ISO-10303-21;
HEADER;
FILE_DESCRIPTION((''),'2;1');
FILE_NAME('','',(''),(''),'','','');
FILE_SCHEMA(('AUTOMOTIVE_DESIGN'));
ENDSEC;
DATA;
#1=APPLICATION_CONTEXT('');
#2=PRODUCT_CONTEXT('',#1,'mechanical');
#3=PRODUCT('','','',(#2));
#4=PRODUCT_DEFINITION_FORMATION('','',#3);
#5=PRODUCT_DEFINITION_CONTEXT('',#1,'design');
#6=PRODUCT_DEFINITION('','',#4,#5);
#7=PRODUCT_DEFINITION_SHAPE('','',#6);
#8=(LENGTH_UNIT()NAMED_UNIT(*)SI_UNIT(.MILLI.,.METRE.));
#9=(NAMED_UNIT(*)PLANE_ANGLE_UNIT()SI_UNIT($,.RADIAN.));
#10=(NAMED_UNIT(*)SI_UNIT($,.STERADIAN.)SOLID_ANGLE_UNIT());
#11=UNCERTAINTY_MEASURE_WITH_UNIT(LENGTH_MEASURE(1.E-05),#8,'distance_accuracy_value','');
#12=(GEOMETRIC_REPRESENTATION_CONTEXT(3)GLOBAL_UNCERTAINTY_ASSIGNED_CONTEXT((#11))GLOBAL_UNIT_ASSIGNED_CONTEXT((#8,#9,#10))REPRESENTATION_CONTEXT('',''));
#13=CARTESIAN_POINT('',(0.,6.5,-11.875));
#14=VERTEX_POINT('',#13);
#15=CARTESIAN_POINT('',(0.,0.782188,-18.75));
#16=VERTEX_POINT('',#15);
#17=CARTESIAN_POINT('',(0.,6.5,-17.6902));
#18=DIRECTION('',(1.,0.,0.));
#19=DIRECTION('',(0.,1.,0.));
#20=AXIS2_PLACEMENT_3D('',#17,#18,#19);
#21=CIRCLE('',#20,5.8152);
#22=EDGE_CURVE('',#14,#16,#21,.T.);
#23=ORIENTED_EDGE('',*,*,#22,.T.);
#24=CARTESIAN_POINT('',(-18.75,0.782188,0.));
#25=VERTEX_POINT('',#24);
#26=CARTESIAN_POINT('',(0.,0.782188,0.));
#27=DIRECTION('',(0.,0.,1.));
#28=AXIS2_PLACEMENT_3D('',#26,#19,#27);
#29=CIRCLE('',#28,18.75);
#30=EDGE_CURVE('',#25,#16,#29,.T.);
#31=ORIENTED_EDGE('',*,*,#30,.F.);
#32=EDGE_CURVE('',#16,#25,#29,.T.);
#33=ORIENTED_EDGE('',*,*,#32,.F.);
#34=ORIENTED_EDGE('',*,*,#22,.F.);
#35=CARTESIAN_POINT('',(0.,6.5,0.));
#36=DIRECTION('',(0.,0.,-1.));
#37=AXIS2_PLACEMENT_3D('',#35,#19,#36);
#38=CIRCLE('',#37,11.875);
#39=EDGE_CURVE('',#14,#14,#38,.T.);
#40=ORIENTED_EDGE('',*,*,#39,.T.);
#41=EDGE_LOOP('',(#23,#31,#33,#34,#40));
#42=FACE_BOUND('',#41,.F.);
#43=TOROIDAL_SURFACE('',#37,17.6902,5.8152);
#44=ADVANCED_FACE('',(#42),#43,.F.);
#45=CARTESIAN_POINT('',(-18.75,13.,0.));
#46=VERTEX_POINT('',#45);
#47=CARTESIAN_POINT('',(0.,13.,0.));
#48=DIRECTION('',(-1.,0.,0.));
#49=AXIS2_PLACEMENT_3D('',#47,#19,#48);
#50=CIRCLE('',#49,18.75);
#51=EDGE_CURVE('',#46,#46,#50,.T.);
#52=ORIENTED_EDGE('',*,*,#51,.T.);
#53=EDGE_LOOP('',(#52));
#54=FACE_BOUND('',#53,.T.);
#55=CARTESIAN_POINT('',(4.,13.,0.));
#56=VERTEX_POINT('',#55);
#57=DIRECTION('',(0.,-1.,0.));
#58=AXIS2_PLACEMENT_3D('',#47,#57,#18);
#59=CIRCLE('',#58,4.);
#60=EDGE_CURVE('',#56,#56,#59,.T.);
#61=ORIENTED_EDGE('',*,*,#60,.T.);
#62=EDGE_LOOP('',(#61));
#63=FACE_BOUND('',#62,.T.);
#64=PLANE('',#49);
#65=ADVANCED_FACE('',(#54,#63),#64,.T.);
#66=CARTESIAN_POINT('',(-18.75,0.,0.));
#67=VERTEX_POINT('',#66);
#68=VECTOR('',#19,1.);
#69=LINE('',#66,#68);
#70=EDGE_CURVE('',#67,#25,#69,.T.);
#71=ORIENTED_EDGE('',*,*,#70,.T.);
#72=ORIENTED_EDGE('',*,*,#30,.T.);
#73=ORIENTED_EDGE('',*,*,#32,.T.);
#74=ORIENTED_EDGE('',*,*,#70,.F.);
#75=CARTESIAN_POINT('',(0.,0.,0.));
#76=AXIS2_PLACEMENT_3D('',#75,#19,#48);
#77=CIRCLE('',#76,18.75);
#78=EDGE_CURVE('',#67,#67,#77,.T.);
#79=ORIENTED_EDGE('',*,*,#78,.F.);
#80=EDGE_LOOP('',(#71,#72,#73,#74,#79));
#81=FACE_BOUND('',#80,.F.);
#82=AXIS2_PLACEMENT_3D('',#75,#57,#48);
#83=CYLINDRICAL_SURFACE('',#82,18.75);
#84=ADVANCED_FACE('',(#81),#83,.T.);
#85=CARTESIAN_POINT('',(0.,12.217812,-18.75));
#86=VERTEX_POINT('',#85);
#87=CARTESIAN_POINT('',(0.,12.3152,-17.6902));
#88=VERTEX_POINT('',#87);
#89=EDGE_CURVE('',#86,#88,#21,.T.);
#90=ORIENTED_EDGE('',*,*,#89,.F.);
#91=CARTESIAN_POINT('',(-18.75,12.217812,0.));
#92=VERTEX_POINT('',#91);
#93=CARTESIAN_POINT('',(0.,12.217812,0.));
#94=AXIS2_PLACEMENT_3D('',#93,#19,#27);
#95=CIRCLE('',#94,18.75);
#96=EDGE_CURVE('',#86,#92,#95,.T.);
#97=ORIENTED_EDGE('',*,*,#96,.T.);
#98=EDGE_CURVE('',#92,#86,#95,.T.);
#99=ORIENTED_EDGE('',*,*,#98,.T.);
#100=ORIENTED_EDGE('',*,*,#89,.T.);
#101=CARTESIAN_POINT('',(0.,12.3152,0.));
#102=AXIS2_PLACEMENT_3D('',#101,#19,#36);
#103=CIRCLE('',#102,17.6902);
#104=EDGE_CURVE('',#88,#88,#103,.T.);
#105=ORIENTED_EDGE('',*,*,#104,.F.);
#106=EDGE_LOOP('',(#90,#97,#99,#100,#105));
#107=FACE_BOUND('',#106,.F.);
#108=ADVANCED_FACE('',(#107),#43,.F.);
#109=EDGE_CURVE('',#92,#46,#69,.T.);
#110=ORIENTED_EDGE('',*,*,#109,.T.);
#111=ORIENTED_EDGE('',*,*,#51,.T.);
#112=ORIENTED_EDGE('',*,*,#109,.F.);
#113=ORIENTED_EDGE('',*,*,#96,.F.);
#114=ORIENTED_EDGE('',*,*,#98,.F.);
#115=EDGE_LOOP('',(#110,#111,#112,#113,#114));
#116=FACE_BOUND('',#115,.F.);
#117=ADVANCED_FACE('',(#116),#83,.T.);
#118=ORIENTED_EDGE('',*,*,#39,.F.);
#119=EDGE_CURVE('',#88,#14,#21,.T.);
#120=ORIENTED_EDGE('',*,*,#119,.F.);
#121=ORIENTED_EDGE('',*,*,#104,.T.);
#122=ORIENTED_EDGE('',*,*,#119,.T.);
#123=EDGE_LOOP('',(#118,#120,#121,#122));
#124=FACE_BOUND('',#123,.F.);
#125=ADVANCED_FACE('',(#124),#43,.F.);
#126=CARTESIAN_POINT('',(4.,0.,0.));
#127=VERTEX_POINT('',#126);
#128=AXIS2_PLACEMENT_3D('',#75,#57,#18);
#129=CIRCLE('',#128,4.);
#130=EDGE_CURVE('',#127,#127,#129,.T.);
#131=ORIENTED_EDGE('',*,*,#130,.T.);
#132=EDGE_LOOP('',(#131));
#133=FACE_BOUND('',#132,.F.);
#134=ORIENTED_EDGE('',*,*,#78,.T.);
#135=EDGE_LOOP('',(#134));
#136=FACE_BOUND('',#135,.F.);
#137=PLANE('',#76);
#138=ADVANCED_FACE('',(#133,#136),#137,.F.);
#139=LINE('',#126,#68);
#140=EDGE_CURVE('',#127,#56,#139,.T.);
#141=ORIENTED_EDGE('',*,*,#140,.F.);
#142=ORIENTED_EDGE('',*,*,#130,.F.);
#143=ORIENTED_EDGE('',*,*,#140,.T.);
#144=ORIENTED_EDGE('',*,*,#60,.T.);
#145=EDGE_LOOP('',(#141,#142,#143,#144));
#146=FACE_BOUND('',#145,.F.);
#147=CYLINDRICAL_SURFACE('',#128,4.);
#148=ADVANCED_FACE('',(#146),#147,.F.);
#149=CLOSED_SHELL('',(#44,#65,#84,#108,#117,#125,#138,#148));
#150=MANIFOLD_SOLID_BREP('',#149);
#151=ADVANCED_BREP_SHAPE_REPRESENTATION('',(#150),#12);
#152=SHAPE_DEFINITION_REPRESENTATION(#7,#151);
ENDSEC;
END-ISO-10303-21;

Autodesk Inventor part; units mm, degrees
ref_plane "YZ Plane" through (0, 0, 0) normal (1, 0, 0) x (0, 1, 0)
ref_plane "XZ Plane" through (0, 0, 0) normal (0, 1, 0) x (-1, 0, 0)
ref_plane "XY Plane" through (0, 0, 0) normal (0, 0, 1) x (1, 0, 0)
sketch "Sketch1" plane through (0, 0, 0) normal (0, 1, 0) x (-1, 0, 0)
  circle A0 centre (0, 0) radius 18.75
  dimension "d0" = 37.5
extrude "Extrusion1" add sketch "Sketch1" along normal blind 13
sketch "Sketch2" plane through (0, 0, 0) normal (1, 0, 0) x (0, 1, 0)
  line L0 (0, 0) -> (6.5, 0)
  line L1 (6.5, 0) -> (6.5, -11.875)
  circle A0 centre (6.5, -17.6902) radius 5.8152
  dimension "d3" = 6.5
  dimension "d4" = 11.875
revolve "Revolution1" cut sketch "Sketch2" angle 360 about axis through (0, 0, 0) along (0, 1, 0)
sketch "Sketch3" plane through (0, 0, 0) normal (0, -1, 0) x (1, 0, 0)
  circle A0 centre (0, 0) radius 4
  dimension "d6" = 8
extrude "Extrusion2" cut sketch "Sketch3" against normal through all
properties part number "pulleybearing"
